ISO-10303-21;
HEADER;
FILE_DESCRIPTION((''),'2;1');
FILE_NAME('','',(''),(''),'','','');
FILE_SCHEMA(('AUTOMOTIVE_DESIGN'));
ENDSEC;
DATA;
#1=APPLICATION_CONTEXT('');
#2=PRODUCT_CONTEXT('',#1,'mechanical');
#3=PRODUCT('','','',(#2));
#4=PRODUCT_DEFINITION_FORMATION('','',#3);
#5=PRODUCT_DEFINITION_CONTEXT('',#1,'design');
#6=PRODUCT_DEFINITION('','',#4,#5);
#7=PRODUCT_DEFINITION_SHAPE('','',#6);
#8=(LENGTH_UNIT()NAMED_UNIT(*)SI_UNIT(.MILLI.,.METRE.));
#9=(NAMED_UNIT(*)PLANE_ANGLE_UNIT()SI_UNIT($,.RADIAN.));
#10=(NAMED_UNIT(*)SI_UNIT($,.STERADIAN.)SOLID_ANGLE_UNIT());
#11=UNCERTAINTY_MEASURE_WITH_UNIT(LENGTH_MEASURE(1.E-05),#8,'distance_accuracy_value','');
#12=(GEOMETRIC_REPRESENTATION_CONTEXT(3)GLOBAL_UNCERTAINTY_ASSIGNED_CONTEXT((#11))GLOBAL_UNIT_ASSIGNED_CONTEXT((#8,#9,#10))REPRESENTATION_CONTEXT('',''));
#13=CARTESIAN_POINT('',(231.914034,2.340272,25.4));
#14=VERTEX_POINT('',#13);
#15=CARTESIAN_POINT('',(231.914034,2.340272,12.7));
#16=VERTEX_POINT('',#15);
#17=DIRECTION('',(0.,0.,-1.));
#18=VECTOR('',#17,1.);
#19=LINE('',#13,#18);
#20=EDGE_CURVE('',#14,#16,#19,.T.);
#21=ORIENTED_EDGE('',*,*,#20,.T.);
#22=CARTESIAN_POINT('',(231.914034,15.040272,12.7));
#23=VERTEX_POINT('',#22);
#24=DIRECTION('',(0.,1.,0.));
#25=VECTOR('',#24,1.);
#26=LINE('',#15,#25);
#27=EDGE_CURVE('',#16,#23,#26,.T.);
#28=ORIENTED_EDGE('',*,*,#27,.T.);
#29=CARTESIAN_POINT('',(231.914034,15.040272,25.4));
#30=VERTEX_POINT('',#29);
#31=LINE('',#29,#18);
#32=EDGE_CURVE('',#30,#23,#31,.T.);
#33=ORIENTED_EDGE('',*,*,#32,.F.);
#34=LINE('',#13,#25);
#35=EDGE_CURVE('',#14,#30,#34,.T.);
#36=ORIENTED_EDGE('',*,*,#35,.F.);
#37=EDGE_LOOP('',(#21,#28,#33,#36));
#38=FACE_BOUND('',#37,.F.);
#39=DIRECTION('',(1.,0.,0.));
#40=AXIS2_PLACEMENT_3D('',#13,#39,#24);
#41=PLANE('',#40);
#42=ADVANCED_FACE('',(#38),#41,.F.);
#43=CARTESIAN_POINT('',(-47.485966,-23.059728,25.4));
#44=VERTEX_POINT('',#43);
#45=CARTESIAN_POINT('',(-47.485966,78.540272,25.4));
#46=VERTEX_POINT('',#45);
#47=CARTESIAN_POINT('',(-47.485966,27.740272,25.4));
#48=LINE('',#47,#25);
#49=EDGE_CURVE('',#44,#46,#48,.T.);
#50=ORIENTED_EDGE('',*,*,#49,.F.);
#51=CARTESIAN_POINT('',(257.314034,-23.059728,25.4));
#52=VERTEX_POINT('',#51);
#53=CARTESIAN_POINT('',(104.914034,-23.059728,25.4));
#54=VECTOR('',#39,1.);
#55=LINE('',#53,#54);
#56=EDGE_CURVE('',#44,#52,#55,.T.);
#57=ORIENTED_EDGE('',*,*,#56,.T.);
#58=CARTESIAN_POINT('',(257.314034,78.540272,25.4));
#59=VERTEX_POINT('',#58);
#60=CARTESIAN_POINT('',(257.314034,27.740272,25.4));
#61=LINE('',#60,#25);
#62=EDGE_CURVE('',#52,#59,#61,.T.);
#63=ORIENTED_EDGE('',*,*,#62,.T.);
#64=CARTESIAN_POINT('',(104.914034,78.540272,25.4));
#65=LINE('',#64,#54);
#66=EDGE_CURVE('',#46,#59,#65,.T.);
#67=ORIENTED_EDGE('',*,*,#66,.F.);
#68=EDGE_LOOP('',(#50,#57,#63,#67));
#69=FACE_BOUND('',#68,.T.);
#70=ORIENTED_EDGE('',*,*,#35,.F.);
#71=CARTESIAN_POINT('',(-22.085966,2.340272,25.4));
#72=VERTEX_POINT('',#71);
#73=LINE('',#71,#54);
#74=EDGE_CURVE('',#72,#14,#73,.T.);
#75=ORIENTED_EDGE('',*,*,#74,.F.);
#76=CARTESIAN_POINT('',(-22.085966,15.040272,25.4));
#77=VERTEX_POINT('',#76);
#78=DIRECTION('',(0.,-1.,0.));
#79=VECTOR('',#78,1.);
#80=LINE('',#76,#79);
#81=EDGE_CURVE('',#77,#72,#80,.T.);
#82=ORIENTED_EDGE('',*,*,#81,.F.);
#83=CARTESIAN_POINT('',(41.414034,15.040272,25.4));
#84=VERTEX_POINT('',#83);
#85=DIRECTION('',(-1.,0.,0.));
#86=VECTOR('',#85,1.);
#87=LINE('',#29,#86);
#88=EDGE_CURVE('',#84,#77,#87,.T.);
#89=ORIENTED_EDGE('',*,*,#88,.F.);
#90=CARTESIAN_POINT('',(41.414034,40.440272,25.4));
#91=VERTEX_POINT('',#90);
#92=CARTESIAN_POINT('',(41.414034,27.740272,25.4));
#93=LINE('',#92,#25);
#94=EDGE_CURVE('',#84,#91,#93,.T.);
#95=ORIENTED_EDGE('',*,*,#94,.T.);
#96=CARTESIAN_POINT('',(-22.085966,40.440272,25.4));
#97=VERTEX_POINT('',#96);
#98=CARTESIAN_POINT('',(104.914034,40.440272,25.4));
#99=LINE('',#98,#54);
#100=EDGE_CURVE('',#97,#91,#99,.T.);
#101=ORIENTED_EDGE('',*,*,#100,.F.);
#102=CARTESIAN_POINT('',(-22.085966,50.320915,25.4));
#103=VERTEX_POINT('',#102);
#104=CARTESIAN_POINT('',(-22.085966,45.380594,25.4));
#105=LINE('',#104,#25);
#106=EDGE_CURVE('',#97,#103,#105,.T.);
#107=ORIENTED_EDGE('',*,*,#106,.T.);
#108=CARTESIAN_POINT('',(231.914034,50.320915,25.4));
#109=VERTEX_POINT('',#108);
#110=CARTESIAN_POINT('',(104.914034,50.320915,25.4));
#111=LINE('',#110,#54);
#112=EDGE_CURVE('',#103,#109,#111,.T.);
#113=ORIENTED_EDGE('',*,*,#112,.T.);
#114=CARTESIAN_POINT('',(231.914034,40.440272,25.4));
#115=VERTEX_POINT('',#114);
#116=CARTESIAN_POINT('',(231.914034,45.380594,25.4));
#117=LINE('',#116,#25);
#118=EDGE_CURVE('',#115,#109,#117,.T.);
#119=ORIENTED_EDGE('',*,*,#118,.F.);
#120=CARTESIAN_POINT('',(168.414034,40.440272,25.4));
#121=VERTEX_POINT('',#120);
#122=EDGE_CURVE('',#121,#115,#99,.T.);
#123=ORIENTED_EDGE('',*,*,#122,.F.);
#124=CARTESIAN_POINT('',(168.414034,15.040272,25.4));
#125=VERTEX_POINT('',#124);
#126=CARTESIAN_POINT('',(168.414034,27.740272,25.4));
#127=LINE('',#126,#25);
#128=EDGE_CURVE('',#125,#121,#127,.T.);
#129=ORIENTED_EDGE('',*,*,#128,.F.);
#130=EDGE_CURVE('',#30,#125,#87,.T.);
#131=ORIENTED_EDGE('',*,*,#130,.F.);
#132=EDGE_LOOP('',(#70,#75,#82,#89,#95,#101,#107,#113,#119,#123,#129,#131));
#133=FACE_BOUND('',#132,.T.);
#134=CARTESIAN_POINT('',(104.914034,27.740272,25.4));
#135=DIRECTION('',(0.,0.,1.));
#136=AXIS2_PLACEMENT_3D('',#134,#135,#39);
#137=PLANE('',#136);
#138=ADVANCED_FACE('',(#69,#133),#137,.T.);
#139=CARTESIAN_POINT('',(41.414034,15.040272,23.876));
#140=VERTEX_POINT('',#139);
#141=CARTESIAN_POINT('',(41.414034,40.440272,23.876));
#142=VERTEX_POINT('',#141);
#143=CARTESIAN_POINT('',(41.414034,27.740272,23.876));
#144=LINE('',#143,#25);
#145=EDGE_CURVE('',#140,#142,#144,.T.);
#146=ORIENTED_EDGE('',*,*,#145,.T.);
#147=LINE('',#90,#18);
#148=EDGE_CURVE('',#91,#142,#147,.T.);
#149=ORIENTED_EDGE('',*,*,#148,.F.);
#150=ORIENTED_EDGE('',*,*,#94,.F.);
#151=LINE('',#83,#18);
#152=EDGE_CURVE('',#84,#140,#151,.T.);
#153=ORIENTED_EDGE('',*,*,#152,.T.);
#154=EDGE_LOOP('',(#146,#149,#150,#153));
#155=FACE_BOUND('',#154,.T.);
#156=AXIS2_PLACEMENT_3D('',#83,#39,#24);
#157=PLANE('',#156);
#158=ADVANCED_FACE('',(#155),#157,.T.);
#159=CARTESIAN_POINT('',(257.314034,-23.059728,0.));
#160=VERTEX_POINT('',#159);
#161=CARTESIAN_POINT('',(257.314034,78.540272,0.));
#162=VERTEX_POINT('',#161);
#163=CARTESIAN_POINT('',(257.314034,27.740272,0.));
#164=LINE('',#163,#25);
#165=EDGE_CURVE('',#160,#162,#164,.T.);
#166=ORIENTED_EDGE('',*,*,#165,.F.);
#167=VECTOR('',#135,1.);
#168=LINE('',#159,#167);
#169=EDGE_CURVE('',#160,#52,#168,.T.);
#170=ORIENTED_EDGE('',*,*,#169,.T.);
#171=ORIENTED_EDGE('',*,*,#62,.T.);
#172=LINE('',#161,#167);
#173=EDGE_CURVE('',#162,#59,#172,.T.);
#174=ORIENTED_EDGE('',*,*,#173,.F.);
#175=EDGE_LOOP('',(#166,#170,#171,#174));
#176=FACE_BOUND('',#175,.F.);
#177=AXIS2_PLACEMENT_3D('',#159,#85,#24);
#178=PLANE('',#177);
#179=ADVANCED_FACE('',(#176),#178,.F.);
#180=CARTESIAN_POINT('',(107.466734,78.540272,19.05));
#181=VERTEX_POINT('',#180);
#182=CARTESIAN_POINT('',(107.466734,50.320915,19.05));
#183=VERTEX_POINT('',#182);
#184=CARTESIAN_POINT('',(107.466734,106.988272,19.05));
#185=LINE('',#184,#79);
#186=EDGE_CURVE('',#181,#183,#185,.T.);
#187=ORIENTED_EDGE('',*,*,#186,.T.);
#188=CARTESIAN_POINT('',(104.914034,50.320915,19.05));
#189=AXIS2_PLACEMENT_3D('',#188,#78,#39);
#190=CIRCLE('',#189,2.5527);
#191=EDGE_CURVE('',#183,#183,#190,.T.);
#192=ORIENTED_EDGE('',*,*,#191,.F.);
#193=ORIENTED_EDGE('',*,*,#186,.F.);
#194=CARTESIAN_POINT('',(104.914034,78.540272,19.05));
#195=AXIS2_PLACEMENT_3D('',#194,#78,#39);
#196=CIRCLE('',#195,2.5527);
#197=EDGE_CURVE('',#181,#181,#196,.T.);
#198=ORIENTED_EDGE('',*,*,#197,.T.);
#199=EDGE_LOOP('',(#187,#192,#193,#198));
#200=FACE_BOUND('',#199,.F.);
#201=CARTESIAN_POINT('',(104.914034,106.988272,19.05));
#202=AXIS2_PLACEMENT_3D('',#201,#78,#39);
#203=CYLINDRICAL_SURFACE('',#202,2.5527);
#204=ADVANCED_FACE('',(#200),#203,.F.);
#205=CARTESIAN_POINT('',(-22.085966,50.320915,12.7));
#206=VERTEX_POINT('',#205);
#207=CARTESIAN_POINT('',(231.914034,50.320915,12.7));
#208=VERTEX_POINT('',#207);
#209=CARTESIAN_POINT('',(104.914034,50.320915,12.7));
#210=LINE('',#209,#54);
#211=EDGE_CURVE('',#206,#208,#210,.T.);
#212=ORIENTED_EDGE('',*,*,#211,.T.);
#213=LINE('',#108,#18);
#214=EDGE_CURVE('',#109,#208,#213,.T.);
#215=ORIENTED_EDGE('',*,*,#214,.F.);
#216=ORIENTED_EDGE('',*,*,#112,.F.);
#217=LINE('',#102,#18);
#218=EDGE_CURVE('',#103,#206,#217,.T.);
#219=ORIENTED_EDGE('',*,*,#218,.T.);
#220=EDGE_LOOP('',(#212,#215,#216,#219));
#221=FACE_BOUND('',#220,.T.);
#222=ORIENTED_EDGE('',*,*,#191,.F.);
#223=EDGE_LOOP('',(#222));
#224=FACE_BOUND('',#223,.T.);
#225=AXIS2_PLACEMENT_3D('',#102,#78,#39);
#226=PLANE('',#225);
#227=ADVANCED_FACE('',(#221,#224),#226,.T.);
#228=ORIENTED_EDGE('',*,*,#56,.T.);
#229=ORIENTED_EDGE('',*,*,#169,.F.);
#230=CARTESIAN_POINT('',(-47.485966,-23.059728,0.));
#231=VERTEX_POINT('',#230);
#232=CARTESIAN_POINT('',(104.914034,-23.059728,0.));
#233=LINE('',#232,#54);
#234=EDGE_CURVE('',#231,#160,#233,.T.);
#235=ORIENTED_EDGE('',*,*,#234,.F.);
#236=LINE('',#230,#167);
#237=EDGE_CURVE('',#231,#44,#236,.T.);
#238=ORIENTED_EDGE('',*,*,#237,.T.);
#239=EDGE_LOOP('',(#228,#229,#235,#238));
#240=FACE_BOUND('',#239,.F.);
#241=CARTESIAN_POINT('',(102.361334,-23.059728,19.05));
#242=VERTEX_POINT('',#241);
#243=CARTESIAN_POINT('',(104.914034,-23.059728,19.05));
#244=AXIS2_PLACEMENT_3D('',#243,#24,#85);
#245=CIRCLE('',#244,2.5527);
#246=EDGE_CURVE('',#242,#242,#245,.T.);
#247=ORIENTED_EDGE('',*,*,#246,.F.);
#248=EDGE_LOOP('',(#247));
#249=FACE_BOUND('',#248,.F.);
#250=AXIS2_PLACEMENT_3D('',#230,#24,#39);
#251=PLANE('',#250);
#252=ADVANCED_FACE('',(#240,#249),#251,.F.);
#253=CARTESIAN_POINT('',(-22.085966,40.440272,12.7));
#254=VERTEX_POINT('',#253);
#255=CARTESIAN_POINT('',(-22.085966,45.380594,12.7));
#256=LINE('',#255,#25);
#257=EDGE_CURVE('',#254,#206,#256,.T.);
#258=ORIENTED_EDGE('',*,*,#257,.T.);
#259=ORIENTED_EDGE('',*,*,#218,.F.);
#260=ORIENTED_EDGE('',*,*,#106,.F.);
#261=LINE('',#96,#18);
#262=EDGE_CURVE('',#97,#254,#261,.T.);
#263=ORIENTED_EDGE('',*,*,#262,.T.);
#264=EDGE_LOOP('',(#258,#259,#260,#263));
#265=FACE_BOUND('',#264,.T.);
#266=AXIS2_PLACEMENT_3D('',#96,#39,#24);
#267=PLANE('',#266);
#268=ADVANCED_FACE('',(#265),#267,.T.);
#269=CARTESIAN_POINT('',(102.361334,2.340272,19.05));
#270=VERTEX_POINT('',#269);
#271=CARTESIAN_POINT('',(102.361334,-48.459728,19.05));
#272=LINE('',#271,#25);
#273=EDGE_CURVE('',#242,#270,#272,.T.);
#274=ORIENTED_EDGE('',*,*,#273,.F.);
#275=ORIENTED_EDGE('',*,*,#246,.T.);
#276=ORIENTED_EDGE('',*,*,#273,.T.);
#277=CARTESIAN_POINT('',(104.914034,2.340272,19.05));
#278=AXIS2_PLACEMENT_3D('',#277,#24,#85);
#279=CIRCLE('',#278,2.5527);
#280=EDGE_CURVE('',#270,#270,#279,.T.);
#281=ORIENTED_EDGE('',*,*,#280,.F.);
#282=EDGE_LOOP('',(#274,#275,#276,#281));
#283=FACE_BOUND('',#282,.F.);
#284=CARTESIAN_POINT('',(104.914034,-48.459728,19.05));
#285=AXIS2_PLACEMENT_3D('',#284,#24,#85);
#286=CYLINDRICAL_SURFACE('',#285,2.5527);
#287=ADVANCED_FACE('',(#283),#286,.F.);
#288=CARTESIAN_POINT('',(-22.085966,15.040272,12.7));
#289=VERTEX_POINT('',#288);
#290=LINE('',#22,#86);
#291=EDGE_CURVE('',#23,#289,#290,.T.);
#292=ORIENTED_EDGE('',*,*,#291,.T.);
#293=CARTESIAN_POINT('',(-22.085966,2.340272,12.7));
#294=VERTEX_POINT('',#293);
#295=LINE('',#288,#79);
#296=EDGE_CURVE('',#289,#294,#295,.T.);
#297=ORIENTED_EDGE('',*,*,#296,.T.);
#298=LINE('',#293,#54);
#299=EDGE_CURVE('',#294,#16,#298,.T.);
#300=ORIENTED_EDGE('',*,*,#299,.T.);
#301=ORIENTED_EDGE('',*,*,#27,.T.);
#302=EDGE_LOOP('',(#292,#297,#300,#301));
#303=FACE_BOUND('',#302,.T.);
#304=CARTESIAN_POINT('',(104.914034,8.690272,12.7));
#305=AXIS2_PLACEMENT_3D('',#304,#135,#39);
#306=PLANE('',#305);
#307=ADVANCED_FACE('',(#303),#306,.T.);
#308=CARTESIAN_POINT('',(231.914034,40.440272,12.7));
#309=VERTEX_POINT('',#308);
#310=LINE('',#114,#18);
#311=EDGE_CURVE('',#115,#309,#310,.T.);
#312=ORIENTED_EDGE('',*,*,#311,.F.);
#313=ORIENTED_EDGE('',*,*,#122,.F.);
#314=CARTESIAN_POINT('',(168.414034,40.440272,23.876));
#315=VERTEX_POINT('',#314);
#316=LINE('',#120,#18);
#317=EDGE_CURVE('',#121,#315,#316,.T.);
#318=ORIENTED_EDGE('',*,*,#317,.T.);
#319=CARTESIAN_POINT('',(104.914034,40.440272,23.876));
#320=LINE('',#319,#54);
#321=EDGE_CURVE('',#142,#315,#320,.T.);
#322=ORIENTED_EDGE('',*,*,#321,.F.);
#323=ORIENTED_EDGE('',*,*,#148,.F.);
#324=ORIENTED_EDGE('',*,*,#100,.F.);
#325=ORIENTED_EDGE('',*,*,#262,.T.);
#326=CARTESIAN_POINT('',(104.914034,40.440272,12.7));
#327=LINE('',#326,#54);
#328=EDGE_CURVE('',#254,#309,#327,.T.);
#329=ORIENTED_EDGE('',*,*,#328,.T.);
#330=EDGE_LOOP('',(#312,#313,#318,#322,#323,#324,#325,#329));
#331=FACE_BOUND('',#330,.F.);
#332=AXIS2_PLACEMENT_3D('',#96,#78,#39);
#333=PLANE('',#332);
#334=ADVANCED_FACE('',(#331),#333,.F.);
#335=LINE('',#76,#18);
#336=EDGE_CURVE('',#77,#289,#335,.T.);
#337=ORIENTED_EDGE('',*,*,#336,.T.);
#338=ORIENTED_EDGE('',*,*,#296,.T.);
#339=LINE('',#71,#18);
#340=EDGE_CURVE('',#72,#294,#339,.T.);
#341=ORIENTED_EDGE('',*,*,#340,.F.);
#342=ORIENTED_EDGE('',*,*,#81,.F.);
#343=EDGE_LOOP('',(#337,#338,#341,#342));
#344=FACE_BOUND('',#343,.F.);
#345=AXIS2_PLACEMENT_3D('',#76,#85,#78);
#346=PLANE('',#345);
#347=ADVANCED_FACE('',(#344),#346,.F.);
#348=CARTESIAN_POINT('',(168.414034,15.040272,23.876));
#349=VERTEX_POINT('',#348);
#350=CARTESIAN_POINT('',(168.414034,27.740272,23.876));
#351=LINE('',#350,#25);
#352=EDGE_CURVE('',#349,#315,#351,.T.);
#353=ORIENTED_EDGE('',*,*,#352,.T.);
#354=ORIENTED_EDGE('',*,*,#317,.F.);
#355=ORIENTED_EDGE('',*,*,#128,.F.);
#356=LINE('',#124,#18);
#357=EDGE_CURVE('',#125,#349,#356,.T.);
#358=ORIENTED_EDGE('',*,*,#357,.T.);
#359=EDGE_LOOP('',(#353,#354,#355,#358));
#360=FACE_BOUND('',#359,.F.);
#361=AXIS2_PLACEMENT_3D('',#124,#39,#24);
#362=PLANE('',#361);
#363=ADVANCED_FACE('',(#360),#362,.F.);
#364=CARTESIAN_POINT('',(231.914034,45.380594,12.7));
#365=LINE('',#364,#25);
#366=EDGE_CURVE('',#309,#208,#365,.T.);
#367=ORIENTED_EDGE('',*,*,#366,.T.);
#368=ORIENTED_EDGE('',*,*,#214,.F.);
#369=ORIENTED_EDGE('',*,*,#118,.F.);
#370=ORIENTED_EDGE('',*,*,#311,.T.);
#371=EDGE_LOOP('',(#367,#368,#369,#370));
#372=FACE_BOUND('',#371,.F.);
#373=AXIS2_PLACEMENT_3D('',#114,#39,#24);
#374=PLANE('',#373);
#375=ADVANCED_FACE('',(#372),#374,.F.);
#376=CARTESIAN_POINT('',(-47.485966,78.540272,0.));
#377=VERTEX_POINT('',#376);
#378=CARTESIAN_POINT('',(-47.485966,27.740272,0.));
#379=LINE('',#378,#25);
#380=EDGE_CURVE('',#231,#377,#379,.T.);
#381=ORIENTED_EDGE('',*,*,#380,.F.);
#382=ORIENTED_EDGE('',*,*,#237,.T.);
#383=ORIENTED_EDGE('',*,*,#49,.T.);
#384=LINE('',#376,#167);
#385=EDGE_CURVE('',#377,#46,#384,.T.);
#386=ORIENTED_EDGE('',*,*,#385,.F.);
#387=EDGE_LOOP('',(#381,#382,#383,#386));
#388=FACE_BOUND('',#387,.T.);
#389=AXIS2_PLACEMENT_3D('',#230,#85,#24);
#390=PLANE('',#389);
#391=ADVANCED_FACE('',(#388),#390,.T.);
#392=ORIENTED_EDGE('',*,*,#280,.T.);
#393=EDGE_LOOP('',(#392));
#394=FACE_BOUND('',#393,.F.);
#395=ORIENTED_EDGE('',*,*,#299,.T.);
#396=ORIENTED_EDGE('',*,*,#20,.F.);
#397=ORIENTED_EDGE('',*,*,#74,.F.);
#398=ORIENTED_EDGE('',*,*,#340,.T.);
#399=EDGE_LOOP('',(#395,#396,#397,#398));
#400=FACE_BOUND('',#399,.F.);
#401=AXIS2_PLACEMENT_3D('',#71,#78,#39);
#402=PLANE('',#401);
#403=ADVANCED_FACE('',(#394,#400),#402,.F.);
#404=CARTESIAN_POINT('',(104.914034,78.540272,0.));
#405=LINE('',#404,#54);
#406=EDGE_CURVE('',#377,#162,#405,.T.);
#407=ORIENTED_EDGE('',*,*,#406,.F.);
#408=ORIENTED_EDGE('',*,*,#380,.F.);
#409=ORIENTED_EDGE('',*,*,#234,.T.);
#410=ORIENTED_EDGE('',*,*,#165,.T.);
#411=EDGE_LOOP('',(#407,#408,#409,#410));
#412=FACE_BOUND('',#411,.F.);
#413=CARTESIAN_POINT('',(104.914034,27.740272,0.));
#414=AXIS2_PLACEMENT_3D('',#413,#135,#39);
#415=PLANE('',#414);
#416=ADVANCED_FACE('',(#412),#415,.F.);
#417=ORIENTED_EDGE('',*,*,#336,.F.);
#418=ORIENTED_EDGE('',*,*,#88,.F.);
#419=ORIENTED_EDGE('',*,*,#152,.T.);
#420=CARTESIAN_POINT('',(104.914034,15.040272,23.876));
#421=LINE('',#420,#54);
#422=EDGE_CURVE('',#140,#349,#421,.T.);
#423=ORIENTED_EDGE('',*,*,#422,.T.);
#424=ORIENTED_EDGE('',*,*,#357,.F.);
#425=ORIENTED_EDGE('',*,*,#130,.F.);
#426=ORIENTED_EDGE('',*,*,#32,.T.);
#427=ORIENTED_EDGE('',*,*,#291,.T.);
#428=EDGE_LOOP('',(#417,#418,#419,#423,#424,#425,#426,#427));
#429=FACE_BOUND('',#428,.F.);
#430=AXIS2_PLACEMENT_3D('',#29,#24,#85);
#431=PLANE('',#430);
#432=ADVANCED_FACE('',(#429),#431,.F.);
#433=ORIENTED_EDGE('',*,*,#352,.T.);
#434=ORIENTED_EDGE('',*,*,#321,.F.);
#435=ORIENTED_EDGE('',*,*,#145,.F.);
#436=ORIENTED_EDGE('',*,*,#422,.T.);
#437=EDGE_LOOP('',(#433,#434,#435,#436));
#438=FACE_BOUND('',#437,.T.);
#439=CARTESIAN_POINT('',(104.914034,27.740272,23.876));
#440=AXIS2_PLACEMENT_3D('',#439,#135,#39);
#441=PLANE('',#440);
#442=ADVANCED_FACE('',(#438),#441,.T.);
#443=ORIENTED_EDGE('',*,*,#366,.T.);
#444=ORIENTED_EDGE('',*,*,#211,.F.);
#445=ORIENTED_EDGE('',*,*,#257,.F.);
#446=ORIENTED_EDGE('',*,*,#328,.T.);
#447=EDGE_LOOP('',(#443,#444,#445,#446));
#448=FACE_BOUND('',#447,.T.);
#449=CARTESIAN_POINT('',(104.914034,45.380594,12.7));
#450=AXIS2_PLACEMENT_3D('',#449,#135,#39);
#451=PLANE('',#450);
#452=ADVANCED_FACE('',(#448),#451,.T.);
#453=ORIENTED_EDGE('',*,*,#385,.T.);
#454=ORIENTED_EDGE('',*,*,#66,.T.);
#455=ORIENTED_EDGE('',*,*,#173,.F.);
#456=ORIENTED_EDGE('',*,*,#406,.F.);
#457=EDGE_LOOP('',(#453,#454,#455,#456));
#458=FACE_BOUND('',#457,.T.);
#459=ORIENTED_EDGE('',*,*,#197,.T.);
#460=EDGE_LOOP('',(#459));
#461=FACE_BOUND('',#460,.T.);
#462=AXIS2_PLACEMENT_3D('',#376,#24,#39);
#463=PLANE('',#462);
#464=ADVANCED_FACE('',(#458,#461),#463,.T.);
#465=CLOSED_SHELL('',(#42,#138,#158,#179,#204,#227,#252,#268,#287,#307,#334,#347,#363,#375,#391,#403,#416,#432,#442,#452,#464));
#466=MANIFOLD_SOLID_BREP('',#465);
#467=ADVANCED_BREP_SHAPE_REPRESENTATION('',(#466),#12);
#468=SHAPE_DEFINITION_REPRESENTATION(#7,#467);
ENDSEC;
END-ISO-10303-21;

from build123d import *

# Parameters (mm, degrees)
F0_W      = 304.8
F0_H      = 101.6
F1_DEPTH  = 25.4
F2_W      = 127
F2_H      = 25.4
F3_DEPTH  = 1.524
F4_W      = 254
F4_H      = 9.8806431205
F5_DEPTH  = 12.7
F7_DEPTH  = 12.7
F9_D      = 5.1054
F9_DEPTH  = 25.4
F9_TIP    = 1.5338169022
F11_D     = 5.1054
F11_DEPTH = 28.448
F11_TIP   = 1.5338169022


with BuildPart() as f1:
    # F0 (on Top) → F1 (new body)
    with BuildSketch(Plane.XY):
        with Locations((104.9140337646, 27.7402723759)):
            Rectangle(F0_W, F0_H)
    extrude(amount=F1_DEPTH)

    # F2 (on face) → F3 (cut)
    with BuildSketch(Plane.XY.offset(25.4)):
        with Locations((104.9140337646, 27.7402723759)):
            Rectangle(F2_W, F2_H)
    extrude(amount=-F3_DEPTH, mode=Mode.SUBTRACT)

    # F4 (on face) → F5 (cut)
    with BuildSketch(Plane.XY.offset(25.4)):
        with Locations((104.9140337646, 45.3805939362)):
            Rectangle(F4_W, F4_H)
    extrude(amount=-F5_DEPTH, mode=Mode.SUBTRACT)

    # F6 (on face) → F7 (cut)
    with BuildSketch(Plane.XY.offset(25.4)):
        Polygon((41.4140337646, 15.0402723759), (-22.0859662354, 15.0402723759), (-22.0859662354, 2.3402723759), (231.9140337646, 2.3402723759), (231.9140337646, 15.0402723759), (168.4140337646, 15.0402723759), align=None)
    extrude(amount=-F7_DEPTH, mode=Mode.SUBTRACT)

    # F9
    with Locations(Plane.XZ.offset(23.0597276241)):
        with Locations((104.9140337646, 19.05)):
            Hole(F9_D / 2, depth=F9_DEPTH)
            with Locations((0, 0, -(F9_DEPTH + F9_TIP / 2))):  # 118° drill point
                Cone(0, F9_D / 2, F9_TIP, mode=Mode.SUBTRACT)

    # F11
    with Locations(Plane(origin=(0, 78.5402723759, 0), x_dir=(-1, 0, 0), z_dir=(0, 1, 0))):
        with Locations((-104.9140337646, 19.05)):
            Hole(F11_D / 2, depth=F11_DEPTH)
            with Locations((0, 0, -(F11_DEPTH + F11_TIP / 2))):  # 118° drill point
                Cone(0, F11_D / 2, F11_TIP, mode=Mode.SUBTRACT)


solid = f1.part
